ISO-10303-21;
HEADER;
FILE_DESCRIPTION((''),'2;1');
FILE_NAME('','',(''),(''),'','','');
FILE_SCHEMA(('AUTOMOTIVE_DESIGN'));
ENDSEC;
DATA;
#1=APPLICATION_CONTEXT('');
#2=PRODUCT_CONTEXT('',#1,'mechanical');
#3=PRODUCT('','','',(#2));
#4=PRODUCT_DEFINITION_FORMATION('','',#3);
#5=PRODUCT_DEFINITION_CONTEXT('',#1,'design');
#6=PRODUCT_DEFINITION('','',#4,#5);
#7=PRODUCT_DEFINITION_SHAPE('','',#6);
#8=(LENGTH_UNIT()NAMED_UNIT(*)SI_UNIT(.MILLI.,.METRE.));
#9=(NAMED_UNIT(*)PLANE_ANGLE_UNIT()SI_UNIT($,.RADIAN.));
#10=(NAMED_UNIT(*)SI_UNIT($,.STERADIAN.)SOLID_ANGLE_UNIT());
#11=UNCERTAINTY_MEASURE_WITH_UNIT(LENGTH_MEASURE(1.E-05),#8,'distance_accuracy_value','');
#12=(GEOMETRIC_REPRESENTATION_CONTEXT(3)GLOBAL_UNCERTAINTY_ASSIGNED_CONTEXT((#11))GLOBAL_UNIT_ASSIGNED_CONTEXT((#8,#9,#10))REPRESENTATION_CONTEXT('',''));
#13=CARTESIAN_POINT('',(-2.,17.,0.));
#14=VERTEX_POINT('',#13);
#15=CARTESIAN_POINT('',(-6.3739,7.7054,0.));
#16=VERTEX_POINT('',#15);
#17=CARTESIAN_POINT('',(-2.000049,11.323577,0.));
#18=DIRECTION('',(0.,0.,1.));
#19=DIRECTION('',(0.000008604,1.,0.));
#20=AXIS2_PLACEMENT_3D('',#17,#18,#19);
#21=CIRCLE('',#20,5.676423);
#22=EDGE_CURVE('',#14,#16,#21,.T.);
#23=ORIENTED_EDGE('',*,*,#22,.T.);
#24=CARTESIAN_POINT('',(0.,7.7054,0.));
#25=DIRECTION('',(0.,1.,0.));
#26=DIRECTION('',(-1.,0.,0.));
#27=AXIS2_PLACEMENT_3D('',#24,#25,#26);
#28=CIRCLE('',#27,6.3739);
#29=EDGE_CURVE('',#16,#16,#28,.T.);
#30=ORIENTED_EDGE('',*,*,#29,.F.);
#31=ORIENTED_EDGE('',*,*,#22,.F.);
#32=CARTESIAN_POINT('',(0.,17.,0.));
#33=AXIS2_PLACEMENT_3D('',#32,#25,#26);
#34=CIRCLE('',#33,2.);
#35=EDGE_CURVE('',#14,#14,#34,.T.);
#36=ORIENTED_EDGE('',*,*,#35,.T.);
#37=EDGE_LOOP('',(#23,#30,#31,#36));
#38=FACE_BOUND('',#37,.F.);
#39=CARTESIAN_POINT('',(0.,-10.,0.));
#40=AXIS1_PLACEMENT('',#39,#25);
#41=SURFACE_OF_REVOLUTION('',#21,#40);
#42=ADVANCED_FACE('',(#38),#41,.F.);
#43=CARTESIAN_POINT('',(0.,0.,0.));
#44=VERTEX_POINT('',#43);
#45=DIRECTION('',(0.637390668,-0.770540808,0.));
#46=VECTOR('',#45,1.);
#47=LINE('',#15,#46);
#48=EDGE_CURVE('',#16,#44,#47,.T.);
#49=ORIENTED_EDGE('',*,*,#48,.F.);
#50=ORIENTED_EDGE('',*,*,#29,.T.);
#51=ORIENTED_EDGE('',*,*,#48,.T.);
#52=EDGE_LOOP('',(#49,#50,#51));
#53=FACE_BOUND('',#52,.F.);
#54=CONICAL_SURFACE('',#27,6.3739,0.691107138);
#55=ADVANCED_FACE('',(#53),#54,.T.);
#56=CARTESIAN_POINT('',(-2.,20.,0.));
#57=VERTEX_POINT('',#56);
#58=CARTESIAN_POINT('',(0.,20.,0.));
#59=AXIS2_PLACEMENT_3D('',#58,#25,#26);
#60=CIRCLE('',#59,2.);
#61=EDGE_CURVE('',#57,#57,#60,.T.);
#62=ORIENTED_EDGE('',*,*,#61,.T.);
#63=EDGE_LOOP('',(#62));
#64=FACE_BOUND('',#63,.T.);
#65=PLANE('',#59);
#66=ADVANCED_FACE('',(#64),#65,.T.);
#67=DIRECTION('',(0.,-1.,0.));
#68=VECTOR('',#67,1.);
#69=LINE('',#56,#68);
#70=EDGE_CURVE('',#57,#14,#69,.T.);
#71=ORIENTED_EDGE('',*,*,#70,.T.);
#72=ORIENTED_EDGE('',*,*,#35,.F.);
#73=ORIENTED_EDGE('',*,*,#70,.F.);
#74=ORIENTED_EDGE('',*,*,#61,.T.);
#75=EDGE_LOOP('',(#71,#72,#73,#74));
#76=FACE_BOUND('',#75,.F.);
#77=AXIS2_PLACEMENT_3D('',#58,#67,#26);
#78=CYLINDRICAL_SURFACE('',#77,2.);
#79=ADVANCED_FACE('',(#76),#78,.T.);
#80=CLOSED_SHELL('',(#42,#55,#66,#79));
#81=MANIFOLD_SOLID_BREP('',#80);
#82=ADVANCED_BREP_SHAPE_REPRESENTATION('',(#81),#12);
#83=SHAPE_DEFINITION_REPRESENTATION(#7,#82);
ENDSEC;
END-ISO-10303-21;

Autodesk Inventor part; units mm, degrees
ref_plane "YZ Plane" through (0, 0, 0) normal (1, 0, 0) x (0, 1, 0)
ref_plane "XZ Plane" through (0, 0, 0) normal (0, 1, 0) x (-1, 0, 0)
ref_plane "XY Plane" through (0, 0, 0) normal (0, 0, 1) x (1, 0, 0)
sketch "Esboço1" plane through (0, 0, 0) normal (0, 0, 1) x (1, 0, 0)
  line L0 (-2, 20) -> (0, 20)
  arc A0 (-2, 17) -> (-6.3739, 7.7054) centre (-2, 11.3235) ccw
  line L1 (-6.3739, 7.7054) -> (0, 0)
  line L2 (-2, 20) -> (-2, 17)
  line L3 (0, 20) -> (0, 0)
  line L4 (0, -4) -> (0, 24) projected
  dimension "d0" = 2
  dimension "d1" = 20
  dimension "d2" = 10
  dimension "d3" = 3
revolve "Revolução1" add sketch "Esboço1" angle 360 about axis through (0, -10, 0) along (0, 1, 0)
properties part number "peca_003_001" material "Madeira (Nogueira)"
